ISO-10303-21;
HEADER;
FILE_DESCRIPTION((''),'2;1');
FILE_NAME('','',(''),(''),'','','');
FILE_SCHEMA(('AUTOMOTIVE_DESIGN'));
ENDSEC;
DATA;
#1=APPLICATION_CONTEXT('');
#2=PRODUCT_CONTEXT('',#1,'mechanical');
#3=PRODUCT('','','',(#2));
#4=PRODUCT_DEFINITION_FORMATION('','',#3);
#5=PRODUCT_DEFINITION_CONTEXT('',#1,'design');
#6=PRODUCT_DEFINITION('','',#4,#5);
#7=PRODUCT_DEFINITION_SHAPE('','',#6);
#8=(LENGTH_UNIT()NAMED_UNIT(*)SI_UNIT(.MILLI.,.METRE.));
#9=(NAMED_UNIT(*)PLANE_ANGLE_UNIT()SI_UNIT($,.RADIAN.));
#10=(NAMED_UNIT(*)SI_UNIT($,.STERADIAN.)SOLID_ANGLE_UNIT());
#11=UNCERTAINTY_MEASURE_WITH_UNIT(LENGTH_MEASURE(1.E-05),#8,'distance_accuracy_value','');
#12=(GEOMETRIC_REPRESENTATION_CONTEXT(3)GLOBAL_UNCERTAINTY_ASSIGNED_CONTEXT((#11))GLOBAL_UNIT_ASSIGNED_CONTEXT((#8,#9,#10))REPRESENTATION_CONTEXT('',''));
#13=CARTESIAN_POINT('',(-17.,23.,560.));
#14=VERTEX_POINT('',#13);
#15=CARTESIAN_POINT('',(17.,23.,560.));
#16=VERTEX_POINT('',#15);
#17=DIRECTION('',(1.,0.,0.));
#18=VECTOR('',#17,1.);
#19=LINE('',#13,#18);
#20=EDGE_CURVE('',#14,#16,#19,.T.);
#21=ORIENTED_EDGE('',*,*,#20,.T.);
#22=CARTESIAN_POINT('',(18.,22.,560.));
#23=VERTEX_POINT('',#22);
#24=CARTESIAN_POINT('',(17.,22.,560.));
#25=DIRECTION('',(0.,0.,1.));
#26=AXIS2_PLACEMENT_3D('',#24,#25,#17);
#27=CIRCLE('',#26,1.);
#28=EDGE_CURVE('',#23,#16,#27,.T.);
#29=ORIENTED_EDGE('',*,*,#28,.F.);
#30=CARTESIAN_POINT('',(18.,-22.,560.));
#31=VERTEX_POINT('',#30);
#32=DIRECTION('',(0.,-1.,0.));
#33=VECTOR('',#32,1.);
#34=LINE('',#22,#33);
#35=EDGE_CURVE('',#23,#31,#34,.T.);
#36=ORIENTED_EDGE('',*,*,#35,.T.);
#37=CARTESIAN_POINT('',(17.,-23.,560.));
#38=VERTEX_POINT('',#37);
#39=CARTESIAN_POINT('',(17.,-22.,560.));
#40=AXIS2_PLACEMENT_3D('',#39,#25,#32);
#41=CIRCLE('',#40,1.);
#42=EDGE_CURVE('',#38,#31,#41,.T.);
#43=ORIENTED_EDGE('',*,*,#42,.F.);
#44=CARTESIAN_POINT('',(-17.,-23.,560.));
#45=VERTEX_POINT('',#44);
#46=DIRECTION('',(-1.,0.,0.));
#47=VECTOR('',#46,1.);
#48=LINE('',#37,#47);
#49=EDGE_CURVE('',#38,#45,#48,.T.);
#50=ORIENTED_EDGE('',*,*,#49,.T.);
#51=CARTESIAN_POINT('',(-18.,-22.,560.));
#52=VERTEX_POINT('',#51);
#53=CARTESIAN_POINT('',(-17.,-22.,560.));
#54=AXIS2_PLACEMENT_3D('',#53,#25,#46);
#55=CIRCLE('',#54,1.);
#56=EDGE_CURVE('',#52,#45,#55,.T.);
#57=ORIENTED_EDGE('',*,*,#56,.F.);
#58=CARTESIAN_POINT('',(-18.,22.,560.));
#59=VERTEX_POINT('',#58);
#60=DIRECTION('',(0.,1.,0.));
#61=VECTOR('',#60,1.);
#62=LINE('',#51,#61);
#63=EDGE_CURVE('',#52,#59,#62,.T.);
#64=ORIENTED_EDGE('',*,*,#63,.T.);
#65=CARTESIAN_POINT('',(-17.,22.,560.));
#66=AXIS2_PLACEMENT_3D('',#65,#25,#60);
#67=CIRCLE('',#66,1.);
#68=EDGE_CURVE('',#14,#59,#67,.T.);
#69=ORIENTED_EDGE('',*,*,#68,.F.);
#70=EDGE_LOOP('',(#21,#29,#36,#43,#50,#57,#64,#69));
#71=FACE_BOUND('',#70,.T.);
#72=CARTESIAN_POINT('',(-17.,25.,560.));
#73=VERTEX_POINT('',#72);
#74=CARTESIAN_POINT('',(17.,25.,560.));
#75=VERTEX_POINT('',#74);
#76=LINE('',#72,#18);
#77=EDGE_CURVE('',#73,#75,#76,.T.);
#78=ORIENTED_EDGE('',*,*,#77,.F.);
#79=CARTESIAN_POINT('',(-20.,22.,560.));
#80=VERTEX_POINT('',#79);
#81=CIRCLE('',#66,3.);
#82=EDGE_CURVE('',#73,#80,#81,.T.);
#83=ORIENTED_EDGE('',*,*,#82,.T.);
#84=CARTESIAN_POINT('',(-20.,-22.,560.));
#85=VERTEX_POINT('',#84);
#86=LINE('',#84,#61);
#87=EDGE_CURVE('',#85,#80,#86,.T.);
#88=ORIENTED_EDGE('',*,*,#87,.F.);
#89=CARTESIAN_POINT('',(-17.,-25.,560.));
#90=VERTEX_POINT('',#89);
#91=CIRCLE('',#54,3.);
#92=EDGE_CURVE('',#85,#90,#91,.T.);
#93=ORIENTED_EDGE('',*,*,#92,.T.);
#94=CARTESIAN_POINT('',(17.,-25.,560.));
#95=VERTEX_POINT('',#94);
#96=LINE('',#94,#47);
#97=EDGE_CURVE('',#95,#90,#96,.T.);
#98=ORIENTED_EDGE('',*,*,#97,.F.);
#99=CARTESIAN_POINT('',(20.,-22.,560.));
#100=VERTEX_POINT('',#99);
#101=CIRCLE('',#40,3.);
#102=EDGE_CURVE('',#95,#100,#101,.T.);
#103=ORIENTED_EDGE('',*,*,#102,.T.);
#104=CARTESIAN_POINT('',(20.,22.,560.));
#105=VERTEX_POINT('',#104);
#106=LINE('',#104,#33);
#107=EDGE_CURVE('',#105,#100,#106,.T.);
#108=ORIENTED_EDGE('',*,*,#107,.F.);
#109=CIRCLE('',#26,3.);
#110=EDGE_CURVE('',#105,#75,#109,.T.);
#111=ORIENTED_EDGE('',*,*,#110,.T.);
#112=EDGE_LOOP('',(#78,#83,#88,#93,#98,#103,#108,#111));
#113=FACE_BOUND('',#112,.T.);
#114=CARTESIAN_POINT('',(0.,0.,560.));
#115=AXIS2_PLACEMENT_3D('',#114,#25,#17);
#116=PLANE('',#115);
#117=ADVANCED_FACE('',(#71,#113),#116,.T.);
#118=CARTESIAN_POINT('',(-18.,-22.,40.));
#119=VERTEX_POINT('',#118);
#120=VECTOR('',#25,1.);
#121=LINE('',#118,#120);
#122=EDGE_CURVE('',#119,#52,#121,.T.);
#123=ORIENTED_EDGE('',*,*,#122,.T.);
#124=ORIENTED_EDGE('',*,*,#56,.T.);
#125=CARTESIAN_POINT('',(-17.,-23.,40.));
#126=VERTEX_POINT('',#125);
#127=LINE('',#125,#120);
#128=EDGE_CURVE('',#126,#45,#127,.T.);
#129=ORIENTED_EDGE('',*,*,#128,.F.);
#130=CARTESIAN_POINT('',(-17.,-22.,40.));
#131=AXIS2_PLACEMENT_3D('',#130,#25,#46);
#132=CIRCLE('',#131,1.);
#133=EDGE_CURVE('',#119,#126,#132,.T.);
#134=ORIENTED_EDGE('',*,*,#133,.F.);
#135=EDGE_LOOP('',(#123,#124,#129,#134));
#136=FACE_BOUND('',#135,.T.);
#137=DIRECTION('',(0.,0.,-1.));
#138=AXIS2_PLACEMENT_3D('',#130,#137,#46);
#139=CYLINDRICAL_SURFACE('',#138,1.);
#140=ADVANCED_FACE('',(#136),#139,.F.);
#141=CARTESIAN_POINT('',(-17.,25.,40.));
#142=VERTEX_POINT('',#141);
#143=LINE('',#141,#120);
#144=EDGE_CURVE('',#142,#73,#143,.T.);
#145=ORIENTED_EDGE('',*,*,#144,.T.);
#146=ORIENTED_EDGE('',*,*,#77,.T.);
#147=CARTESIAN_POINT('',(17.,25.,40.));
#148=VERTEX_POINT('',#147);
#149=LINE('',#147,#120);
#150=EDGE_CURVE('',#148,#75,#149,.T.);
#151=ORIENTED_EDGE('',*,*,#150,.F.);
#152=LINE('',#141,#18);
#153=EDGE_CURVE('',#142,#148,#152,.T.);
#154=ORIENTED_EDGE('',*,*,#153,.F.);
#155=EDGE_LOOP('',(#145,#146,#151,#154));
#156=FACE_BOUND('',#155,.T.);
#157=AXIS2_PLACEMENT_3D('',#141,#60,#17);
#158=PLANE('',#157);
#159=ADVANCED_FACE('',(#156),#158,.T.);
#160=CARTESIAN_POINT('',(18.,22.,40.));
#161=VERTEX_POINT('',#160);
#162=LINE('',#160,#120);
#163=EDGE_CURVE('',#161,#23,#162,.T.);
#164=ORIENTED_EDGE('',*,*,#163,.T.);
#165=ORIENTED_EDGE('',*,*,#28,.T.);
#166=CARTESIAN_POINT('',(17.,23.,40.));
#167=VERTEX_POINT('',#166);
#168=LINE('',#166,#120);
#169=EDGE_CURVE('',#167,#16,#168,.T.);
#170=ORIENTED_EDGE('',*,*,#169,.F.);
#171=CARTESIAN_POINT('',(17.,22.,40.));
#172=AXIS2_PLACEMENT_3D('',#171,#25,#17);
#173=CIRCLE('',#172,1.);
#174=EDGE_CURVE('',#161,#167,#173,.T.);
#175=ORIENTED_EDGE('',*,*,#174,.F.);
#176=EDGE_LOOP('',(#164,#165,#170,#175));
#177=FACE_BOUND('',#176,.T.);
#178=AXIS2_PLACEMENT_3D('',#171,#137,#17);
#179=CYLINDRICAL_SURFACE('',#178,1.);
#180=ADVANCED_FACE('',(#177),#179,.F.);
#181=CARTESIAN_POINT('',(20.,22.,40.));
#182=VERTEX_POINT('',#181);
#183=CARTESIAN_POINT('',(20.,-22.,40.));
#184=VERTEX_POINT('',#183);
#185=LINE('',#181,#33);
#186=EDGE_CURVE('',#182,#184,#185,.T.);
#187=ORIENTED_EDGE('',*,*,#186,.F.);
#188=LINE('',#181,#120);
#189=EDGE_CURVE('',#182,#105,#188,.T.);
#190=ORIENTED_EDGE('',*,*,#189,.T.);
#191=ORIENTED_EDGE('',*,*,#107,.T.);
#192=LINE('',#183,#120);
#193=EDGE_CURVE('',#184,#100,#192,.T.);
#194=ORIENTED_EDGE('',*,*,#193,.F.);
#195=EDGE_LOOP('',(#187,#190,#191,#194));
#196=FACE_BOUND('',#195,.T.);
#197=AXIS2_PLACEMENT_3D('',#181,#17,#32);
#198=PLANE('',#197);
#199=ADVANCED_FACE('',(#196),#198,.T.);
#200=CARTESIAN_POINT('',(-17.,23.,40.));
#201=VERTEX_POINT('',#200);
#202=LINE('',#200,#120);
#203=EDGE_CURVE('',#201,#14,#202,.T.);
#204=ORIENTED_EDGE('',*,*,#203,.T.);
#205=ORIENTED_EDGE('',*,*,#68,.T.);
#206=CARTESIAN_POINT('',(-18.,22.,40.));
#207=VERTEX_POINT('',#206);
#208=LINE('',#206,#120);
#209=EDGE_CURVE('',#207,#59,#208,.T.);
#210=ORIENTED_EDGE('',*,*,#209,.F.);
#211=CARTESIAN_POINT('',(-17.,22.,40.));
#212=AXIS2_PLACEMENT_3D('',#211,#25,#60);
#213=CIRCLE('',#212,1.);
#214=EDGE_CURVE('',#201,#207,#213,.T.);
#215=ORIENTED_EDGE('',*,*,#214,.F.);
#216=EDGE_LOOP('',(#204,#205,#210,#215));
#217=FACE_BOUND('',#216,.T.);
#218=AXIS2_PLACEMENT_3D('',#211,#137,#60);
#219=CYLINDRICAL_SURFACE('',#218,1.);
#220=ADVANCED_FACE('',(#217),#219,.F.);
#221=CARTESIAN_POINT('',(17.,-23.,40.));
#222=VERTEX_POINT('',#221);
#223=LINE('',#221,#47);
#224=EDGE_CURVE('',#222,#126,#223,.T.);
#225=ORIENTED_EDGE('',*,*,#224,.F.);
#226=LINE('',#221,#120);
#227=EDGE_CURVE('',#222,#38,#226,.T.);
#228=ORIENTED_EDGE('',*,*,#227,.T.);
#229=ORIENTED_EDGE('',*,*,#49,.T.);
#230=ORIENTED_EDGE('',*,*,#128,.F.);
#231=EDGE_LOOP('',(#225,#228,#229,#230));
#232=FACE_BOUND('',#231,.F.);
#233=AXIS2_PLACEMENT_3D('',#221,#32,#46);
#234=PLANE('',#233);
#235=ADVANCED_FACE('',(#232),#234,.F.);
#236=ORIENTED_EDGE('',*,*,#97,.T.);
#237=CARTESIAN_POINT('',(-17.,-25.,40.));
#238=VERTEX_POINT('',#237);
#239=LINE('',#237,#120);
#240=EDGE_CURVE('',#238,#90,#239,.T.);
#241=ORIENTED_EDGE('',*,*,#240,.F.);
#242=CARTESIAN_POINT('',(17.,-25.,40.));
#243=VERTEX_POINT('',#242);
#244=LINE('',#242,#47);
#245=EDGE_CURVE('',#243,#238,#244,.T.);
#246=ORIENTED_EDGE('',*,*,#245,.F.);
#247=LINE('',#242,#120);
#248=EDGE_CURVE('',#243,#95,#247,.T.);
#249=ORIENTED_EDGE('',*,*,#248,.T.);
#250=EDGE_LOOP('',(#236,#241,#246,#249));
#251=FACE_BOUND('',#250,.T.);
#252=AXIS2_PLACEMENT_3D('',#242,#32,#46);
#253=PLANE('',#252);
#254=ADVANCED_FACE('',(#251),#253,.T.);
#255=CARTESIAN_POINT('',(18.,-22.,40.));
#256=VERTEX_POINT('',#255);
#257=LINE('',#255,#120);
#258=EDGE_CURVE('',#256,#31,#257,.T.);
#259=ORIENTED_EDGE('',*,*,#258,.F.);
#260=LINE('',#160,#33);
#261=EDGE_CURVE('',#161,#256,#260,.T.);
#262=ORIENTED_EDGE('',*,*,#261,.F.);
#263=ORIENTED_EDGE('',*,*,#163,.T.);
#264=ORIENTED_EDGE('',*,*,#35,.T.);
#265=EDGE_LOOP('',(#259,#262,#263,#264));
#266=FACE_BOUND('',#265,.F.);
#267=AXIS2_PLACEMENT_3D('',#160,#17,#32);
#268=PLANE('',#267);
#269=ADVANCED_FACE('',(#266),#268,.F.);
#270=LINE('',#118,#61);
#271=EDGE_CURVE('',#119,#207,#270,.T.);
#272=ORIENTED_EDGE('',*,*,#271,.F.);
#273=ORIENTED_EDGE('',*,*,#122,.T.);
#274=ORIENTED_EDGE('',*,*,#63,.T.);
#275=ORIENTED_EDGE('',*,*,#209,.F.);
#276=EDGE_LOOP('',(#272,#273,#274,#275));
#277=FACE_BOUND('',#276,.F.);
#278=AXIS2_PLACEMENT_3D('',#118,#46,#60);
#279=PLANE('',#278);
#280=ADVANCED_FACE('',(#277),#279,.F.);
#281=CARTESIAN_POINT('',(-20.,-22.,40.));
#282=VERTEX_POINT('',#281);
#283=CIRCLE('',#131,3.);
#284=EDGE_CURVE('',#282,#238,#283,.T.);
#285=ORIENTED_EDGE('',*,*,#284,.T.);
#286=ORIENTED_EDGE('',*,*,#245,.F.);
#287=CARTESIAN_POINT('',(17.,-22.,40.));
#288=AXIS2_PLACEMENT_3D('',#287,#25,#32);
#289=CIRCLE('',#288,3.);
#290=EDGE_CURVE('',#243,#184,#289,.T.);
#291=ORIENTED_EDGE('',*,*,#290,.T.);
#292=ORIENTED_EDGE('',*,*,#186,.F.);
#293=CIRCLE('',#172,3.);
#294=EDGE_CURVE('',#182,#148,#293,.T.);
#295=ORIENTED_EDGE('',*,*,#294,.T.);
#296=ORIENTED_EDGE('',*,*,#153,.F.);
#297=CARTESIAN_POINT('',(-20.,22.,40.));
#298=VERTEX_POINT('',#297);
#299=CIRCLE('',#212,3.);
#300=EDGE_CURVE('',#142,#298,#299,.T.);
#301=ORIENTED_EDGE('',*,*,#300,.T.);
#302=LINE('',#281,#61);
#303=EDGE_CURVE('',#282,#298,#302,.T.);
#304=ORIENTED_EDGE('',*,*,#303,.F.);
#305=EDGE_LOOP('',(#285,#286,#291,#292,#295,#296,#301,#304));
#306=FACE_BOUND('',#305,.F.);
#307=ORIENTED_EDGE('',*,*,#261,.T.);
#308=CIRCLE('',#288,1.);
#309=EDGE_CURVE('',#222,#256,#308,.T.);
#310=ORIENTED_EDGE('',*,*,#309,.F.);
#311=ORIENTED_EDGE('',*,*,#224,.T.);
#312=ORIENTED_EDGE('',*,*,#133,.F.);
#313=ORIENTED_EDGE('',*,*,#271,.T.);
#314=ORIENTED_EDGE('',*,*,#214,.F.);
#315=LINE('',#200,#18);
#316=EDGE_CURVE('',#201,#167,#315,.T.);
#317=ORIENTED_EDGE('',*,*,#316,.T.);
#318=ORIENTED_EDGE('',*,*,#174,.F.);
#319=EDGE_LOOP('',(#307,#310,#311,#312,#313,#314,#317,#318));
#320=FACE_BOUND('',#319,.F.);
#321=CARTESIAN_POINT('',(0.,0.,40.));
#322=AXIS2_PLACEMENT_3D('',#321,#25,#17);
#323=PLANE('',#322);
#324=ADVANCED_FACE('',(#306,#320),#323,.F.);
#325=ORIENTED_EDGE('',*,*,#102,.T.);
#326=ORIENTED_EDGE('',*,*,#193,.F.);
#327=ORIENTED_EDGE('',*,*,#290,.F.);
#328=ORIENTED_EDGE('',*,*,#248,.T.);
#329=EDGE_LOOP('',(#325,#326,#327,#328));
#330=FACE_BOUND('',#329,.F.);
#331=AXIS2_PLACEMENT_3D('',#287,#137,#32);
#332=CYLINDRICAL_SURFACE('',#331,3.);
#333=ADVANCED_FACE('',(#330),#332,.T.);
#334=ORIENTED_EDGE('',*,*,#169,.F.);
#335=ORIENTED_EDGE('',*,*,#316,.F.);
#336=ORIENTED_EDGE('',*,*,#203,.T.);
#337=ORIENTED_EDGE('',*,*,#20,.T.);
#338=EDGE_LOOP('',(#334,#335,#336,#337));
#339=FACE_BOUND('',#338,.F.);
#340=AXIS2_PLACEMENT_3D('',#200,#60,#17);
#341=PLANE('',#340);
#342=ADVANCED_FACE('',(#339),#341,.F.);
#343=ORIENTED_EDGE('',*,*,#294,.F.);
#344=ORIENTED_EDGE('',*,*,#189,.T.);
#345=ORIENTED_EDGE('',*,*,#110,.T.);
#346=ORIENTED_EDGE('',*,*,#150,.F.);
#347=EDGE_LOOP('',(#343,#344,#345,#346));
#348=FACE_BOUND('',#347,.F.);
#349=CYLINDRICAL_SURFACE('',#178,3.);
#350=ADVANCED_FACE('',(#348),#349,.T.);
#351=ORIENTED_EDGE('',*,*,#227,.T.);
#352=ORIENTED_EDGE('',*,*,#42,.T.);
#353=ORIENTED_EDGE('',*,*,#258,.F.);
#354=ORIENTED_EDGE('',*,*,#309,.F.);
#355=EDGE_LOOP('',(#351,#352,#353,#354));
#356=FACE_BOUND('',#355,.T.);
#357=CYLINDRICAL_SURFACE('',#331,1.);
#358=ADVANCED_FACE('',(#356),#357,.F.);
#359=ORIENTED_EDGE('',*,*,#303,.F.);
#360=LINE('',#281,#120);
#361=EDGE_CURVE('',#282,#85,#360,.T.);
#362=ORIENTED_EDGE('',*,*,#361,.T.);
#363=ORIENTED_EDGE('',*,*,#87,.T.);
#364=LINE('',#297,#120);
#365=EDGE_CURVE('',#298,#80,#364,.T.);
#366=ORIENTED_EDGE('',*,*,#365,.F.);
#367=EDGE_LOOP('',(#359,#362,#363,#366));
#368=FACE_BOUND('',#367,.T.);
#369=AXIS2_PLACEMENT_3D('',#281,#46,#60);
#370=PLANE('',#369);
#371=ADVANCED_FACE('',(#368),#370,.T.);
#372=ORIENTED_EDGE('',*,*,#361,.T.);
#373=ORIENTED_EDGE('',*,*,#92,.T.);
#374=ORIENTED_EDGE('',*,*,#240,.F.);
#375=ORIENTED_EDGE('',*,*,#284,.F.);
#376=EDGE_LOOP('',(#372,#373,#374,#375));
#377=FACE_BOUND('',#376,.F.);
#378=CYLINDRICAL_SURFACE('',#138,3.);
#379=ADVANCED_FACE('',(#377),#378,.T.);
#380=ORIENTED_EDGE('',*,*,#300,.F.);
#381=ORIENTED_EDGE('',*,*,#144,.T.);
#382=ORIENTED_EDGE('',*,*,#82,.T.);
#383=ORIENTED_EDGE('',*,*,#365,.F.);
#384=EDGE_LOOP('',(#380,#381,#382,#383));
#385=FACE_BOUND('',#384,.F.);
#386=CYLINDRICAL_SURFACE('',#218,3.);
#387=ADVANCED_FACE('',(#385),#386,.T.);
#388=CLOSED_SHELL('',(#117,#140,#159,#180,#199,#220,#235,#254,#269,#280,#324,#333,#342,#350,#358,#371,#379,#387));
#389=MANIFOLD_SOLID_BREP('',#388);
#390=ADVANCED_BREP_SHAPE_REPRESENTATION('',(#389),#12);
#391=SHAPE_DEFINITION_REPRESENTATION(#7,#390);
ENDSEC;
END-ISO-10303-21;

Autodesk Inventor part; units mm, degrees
ref_plane "Start plane" through (0, 0, 40) normal (0, 0, 1) x (1, 0, 0)
ref_plane "End plane" through (0, 0, 560) normal (0, 0, 1) x (1, 0, 0)
sketch "Sketch" plane through (0, 0, 0) normal (0, 0, 1) x (1, 0, 0)
  line L0 (-20, -22) -> (-20, 22)
  line L1 (-17, 25) -> (17, 25)
  line L2 (20, 22) -> (20, -22)
  line L3 (17, -25) -> (-17, -25)
  arc A0 (-20, -22) -> (-17, -25) centre (-17, -22) ccw
  arc A1 (-17, 25) -> (-20, 22) centre (-17, 22) ccw
  arc A2 (20, 22) -> (17, 25) centre (17, 22) ccw
  arc A3 (17, -25) -> (20, -22) centre (17, -22) ccw
  arc A4 (-17, 23) -> (-18, 22) centre (-17, 22) ccw
  line L4 (-17, 23) -> (17, 23)
  arc A5 (18, 22) -> (17, 23) centre (17, 22) ccw
  line L5 (18, 22) -> (18, -22)
  arc A6 (17, -23) -> (18, -22) centre (17, -22) ccw
  line L6 (17, -23) -> (-17, -23)
  arc A7 (-18, -22) -> (-17, -23) centre (-17, -22) ccw
  line L7 (-18, -22) -> (-18, 22)
  line L8 (0, 35.8698) -> (0, -35.8698) construction
  line L9 (-28.8698, 0) -> (28.8698, 0) construction
  dimension "d7" = 3
  dimension "d10" = 50
  dimension "d11" = 40
  dimension "d12" = 2
  dimension "d15" = 25
  dimension "d16" = 20
extrude "Body" add sketch "Sketch" along normal up to surface (520 mm away) from surface at 40
sketch "Sketch3" plane through (0, 0, 0) normal (0, 0, 1) x (1, 0, 0)
  line L0 (0, 0) -> (10, 0)
ref_plane "Work Plane3" through (0, 0, 0) normal (0, -1, 0) x (1, 0, 0)
sketch "Sketch4" plane through (0, 0, 0) normal (0, -1, 0) x (1, 0, 0)
  line L0 (-2, 40) -> (12, 40)
  line L1 (-2, 560) -> (12, 560)
  dimension "d18" = 520
ref_plane "Work Plane4" through (310, -22, 560) normal (0, 0, 1) x (1, 0, 0)
split "Split1" plane through (310, -22, 560) removes the side toward (0, 0, 1)
ref_plane "Work Plane5" through (310, 22, 40) normal (0, 0, -1) x (-1, 0, 0)
split "Split2" plane through (310, 22, 40) removes the side toward (0, 0, -1)
equation "\"d7\" = G_IR"
equation "\"d10\" = G_H"
equation "\"d11\" = G_W"
equation "\"d12\" = G_T"
equation "\"d15\" = 0.5 * d10"
equation "\"d16\" = 0.5 * d11"
equation "\"d3\" = G_L"
equation "\"G_W\" = 40"
equation "\"G_H\" = 50"
equation "\"G_T\" = 2"
equation "\"G_IR\" = 3"
equation "\"G_L\" = d18"
equation "\"G_OFFSET_START\" = -40"
equation "\"G_OFFSET_END\" = -40"
equation "\"d13\" = -G_OFFSET_START"
equation "\"d14\" = G_OFFSET_END + B_L"
equation "\"B_L\" = 600"
properties part number "UNI EN 10305-5 - 50 x 40 x 2  - 520" material "Steel, Mild"
